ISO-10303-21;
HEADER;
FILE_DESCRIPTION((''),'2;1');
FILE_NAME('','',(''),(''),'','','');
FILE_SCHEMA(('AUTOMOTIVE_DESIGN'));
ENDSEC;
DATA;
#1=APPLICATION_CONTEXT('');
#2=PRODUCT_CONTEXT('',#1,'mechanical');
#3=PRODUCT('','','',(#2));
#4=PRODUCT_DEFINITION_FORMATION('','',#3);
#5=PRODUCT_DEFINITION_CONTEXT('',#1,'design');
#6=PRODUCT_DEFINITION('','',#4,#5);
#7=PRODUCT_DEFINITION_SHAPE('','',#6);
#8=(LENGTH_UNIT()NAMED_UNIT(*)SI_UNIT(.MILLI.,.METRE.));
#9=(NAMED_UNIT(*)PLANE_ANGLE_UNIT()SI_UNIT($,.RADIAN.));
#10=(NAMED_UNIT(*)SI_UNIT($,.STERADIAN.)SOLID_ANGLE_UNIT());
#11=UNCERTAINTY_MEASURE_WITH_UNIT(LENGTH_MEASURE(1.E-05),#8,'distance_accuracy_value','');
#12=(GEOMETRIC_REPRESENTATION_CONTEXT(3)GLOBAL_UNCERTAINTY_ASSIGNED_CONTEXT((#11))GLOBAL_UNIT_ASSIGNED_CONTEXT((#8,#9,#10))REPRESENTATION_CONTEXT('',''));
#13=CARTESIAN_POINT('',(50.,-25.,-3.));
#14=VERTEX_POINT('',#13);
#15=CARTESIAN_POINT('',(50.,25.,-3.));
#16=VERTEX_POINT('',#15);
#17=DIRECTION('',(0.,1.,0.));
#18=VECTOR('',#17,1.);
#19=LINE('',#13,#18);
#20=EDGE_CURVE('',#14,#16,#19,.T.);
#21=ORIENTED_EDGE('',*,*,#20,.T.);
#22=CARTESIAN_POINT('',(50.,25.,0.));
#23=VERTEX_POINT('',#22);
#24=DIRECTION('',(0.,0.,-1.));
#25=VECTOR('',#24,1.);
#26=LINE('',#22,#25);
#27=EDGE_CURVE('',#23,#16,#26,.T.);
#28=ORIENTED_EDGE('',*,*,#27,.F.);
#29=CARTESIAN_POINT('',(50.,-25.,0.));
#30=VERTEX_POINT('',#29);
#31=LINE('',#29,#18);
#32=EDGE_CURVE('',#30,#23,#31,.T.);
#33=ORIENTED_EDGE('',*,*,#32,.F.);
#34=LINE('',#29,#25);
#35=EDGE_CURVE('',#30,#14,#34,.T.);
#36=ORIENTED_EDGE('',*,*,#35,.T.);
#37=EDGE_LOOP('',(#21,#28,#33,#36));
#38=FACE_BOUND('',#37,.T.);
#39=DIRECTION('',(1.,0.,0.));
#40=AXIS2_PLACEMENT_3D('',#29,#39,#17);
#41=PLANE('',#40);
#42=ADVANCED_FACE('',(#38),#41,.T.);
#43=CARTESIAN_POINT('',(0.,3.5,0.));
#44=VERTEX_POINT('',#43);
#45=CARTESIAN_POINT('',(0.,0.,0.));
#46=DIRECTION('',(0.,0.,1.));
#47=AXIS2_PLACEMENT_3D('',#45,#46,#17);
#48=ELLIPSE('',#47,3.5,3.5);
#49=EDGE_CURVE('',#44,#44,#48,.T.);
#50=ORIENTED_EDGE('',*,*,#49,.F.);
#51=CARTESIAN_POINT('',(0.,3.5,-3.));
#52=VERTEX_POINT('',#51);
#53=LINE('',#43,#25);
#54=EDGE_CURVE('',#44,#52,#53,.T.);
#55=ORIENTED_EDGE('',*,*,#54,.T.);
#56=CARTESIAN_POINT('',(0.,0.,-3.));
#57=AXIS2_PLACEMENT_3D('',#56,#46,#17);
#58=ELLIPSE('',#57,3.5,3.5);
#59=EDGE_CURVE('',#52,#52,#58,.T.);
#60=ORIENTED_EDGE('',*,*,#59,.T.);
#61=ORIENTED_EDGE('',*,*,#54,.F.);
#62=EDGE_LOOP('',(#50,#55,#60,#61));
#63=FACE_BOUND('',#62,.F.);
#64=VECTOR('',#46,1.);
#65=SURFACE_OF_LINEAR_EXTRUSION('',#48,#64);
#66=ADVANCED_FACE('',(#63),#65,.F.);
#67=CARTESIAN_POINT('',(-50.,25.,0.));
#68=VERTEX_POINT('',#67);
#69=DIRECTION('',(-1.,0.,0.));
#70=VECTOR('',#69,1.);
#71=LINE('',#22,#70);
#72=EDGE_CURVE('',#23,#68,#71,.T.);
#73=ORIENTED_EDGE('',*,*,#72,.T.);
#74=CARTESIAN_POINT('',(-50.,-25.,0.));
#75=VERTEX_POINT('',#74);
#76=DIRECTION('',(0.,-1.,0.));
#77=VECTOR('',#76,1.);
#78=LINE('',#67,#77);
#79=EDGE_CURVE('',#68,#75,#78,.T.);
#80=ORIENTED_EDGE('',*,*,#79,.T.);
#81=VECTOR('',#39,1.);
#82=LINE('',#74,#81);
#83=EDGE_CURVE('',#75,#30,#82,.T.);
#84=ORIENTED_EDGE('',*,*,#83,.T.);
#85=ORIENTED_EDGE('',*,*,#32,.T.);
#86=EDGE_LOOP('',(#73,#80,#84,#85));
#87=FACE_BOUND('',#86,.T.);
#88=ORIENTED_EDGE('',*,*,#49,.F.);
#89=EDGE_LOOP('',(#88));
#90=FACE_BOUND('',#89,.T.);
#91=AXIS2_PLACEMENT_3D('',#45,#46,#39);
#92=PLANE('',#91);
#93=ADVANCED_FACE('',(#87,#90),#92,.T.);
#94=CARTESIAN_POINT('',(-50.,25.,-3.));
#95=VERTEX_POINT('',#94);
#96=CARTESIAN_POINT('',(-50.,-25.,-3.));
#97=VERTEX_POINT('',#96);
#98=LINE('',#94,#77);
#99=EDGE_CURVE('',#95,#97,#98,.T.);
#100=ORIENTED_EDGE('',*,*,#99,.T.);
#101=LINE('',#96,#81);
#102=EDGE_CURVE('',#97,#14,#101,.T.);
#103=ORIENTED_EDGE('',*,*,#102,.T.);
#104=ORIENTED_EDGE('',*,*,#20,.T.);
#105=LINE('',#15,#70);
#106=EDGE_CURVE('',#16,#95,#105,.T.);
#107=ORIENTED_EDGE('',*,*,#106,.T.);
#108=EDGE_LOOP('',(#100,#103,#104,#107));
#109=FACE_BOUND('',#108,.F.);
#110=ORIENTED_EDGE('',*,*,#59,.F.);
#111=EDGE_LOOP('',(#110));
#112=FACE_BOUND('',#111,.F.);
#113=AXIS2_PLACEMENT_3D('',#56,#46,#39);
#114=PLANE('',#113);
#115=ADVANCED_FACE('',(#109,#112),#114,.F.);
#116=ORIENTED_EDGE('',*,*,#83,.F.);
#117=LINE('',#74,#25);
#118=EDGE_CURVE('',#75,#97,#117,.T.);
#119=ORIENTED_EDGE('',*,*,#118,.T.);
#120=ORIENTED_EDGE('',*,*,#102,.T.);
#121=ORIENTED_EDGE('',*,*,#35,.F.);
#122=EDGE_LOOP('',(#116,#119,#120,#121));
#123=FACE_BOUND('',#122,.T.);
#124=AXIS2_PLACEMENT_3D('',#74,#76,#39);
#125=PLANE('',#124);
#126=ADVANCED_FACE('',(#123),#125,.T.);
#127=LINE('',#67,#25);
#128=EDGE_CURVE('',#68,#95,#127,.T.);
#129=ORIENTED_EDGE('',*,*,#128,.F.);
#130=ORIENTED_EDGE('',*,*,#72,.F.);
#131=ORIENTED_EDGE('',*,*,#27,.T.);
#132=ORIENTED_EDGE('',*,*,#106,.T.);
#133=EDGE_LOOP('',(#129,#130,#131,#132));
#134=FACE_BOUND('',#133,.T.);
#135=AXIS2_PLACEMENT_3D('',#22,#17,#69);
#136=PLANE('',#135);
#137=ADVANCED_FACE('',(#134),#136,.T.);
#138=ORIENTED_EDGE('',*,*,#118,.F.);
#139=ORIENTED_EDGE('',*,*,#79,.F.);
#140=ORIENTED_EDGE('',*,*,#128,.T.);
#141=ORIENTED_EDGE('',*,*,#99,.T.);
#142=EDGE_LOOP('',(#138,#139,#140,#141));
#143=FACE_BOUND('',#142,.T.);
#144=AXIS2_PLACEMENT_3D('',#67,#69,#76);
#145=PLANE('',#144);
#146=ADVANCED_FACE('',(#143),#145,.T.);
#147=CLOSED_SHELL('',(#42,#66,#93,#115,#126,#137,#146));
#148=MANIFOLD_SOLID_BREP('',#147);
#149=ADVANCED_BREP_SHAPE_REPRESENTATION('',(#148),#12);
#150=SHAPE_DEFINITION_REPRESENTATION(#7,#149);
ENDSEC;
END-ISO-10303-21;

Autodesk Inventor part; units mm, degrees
ref_plane "YZ Plane" through (0, 0, 0) normal (1, 0, 0) x (0, 1, 0)
ref_plane "XZ Plane" through (0, 0, 0) normal (0, 1, 0) x (-1, 0, 0)
ref_plane "XY Plane" through (0, 0, 0) normal (0, 0, 1) x (1, 0, 0)
sketch "Sketch1" plane through (0, 0, 0) normal (0, 0, 1) x (1, 0, 0)
  ellipse E0 centre (0, 0) end of major axis (0, 3.5) minor radius 3.5 projected
  arc A0 (-2.0076, 1.85) -> (-2.0076, -1.85) centre (0, 0) ccw projected
  line L0 (-2.0076, 1.85) -> (2.0076, 1.85) projected
  arc A1 (2.0076, -1.85) -> (2.0076, 1.85) centre (0, 0) ccw projected
  line L1 (2.0076, -1.85) -> (-2.0076, -1.85) projected
  line L2 (-50, -25) -> (50, -25)
  line L3 (50, -25) -> (50, 25)
  line L4 (50, 25) -> (-50, 25)
  line L5 (-50, 25) -> (-50, -25)
  line L6 (-50, -25) -> (50, 25) construction
  line L7 (50, -25) -> (-50, 25) construction
  point P0 (0, 0)
  dimension "d0" = 100
  dimension "d1" = 50
extrude "Extrusion1" add sketch "Sketch1" against normal blind 3 contours L5 L4 L3 L2
properties part number "arm2"
